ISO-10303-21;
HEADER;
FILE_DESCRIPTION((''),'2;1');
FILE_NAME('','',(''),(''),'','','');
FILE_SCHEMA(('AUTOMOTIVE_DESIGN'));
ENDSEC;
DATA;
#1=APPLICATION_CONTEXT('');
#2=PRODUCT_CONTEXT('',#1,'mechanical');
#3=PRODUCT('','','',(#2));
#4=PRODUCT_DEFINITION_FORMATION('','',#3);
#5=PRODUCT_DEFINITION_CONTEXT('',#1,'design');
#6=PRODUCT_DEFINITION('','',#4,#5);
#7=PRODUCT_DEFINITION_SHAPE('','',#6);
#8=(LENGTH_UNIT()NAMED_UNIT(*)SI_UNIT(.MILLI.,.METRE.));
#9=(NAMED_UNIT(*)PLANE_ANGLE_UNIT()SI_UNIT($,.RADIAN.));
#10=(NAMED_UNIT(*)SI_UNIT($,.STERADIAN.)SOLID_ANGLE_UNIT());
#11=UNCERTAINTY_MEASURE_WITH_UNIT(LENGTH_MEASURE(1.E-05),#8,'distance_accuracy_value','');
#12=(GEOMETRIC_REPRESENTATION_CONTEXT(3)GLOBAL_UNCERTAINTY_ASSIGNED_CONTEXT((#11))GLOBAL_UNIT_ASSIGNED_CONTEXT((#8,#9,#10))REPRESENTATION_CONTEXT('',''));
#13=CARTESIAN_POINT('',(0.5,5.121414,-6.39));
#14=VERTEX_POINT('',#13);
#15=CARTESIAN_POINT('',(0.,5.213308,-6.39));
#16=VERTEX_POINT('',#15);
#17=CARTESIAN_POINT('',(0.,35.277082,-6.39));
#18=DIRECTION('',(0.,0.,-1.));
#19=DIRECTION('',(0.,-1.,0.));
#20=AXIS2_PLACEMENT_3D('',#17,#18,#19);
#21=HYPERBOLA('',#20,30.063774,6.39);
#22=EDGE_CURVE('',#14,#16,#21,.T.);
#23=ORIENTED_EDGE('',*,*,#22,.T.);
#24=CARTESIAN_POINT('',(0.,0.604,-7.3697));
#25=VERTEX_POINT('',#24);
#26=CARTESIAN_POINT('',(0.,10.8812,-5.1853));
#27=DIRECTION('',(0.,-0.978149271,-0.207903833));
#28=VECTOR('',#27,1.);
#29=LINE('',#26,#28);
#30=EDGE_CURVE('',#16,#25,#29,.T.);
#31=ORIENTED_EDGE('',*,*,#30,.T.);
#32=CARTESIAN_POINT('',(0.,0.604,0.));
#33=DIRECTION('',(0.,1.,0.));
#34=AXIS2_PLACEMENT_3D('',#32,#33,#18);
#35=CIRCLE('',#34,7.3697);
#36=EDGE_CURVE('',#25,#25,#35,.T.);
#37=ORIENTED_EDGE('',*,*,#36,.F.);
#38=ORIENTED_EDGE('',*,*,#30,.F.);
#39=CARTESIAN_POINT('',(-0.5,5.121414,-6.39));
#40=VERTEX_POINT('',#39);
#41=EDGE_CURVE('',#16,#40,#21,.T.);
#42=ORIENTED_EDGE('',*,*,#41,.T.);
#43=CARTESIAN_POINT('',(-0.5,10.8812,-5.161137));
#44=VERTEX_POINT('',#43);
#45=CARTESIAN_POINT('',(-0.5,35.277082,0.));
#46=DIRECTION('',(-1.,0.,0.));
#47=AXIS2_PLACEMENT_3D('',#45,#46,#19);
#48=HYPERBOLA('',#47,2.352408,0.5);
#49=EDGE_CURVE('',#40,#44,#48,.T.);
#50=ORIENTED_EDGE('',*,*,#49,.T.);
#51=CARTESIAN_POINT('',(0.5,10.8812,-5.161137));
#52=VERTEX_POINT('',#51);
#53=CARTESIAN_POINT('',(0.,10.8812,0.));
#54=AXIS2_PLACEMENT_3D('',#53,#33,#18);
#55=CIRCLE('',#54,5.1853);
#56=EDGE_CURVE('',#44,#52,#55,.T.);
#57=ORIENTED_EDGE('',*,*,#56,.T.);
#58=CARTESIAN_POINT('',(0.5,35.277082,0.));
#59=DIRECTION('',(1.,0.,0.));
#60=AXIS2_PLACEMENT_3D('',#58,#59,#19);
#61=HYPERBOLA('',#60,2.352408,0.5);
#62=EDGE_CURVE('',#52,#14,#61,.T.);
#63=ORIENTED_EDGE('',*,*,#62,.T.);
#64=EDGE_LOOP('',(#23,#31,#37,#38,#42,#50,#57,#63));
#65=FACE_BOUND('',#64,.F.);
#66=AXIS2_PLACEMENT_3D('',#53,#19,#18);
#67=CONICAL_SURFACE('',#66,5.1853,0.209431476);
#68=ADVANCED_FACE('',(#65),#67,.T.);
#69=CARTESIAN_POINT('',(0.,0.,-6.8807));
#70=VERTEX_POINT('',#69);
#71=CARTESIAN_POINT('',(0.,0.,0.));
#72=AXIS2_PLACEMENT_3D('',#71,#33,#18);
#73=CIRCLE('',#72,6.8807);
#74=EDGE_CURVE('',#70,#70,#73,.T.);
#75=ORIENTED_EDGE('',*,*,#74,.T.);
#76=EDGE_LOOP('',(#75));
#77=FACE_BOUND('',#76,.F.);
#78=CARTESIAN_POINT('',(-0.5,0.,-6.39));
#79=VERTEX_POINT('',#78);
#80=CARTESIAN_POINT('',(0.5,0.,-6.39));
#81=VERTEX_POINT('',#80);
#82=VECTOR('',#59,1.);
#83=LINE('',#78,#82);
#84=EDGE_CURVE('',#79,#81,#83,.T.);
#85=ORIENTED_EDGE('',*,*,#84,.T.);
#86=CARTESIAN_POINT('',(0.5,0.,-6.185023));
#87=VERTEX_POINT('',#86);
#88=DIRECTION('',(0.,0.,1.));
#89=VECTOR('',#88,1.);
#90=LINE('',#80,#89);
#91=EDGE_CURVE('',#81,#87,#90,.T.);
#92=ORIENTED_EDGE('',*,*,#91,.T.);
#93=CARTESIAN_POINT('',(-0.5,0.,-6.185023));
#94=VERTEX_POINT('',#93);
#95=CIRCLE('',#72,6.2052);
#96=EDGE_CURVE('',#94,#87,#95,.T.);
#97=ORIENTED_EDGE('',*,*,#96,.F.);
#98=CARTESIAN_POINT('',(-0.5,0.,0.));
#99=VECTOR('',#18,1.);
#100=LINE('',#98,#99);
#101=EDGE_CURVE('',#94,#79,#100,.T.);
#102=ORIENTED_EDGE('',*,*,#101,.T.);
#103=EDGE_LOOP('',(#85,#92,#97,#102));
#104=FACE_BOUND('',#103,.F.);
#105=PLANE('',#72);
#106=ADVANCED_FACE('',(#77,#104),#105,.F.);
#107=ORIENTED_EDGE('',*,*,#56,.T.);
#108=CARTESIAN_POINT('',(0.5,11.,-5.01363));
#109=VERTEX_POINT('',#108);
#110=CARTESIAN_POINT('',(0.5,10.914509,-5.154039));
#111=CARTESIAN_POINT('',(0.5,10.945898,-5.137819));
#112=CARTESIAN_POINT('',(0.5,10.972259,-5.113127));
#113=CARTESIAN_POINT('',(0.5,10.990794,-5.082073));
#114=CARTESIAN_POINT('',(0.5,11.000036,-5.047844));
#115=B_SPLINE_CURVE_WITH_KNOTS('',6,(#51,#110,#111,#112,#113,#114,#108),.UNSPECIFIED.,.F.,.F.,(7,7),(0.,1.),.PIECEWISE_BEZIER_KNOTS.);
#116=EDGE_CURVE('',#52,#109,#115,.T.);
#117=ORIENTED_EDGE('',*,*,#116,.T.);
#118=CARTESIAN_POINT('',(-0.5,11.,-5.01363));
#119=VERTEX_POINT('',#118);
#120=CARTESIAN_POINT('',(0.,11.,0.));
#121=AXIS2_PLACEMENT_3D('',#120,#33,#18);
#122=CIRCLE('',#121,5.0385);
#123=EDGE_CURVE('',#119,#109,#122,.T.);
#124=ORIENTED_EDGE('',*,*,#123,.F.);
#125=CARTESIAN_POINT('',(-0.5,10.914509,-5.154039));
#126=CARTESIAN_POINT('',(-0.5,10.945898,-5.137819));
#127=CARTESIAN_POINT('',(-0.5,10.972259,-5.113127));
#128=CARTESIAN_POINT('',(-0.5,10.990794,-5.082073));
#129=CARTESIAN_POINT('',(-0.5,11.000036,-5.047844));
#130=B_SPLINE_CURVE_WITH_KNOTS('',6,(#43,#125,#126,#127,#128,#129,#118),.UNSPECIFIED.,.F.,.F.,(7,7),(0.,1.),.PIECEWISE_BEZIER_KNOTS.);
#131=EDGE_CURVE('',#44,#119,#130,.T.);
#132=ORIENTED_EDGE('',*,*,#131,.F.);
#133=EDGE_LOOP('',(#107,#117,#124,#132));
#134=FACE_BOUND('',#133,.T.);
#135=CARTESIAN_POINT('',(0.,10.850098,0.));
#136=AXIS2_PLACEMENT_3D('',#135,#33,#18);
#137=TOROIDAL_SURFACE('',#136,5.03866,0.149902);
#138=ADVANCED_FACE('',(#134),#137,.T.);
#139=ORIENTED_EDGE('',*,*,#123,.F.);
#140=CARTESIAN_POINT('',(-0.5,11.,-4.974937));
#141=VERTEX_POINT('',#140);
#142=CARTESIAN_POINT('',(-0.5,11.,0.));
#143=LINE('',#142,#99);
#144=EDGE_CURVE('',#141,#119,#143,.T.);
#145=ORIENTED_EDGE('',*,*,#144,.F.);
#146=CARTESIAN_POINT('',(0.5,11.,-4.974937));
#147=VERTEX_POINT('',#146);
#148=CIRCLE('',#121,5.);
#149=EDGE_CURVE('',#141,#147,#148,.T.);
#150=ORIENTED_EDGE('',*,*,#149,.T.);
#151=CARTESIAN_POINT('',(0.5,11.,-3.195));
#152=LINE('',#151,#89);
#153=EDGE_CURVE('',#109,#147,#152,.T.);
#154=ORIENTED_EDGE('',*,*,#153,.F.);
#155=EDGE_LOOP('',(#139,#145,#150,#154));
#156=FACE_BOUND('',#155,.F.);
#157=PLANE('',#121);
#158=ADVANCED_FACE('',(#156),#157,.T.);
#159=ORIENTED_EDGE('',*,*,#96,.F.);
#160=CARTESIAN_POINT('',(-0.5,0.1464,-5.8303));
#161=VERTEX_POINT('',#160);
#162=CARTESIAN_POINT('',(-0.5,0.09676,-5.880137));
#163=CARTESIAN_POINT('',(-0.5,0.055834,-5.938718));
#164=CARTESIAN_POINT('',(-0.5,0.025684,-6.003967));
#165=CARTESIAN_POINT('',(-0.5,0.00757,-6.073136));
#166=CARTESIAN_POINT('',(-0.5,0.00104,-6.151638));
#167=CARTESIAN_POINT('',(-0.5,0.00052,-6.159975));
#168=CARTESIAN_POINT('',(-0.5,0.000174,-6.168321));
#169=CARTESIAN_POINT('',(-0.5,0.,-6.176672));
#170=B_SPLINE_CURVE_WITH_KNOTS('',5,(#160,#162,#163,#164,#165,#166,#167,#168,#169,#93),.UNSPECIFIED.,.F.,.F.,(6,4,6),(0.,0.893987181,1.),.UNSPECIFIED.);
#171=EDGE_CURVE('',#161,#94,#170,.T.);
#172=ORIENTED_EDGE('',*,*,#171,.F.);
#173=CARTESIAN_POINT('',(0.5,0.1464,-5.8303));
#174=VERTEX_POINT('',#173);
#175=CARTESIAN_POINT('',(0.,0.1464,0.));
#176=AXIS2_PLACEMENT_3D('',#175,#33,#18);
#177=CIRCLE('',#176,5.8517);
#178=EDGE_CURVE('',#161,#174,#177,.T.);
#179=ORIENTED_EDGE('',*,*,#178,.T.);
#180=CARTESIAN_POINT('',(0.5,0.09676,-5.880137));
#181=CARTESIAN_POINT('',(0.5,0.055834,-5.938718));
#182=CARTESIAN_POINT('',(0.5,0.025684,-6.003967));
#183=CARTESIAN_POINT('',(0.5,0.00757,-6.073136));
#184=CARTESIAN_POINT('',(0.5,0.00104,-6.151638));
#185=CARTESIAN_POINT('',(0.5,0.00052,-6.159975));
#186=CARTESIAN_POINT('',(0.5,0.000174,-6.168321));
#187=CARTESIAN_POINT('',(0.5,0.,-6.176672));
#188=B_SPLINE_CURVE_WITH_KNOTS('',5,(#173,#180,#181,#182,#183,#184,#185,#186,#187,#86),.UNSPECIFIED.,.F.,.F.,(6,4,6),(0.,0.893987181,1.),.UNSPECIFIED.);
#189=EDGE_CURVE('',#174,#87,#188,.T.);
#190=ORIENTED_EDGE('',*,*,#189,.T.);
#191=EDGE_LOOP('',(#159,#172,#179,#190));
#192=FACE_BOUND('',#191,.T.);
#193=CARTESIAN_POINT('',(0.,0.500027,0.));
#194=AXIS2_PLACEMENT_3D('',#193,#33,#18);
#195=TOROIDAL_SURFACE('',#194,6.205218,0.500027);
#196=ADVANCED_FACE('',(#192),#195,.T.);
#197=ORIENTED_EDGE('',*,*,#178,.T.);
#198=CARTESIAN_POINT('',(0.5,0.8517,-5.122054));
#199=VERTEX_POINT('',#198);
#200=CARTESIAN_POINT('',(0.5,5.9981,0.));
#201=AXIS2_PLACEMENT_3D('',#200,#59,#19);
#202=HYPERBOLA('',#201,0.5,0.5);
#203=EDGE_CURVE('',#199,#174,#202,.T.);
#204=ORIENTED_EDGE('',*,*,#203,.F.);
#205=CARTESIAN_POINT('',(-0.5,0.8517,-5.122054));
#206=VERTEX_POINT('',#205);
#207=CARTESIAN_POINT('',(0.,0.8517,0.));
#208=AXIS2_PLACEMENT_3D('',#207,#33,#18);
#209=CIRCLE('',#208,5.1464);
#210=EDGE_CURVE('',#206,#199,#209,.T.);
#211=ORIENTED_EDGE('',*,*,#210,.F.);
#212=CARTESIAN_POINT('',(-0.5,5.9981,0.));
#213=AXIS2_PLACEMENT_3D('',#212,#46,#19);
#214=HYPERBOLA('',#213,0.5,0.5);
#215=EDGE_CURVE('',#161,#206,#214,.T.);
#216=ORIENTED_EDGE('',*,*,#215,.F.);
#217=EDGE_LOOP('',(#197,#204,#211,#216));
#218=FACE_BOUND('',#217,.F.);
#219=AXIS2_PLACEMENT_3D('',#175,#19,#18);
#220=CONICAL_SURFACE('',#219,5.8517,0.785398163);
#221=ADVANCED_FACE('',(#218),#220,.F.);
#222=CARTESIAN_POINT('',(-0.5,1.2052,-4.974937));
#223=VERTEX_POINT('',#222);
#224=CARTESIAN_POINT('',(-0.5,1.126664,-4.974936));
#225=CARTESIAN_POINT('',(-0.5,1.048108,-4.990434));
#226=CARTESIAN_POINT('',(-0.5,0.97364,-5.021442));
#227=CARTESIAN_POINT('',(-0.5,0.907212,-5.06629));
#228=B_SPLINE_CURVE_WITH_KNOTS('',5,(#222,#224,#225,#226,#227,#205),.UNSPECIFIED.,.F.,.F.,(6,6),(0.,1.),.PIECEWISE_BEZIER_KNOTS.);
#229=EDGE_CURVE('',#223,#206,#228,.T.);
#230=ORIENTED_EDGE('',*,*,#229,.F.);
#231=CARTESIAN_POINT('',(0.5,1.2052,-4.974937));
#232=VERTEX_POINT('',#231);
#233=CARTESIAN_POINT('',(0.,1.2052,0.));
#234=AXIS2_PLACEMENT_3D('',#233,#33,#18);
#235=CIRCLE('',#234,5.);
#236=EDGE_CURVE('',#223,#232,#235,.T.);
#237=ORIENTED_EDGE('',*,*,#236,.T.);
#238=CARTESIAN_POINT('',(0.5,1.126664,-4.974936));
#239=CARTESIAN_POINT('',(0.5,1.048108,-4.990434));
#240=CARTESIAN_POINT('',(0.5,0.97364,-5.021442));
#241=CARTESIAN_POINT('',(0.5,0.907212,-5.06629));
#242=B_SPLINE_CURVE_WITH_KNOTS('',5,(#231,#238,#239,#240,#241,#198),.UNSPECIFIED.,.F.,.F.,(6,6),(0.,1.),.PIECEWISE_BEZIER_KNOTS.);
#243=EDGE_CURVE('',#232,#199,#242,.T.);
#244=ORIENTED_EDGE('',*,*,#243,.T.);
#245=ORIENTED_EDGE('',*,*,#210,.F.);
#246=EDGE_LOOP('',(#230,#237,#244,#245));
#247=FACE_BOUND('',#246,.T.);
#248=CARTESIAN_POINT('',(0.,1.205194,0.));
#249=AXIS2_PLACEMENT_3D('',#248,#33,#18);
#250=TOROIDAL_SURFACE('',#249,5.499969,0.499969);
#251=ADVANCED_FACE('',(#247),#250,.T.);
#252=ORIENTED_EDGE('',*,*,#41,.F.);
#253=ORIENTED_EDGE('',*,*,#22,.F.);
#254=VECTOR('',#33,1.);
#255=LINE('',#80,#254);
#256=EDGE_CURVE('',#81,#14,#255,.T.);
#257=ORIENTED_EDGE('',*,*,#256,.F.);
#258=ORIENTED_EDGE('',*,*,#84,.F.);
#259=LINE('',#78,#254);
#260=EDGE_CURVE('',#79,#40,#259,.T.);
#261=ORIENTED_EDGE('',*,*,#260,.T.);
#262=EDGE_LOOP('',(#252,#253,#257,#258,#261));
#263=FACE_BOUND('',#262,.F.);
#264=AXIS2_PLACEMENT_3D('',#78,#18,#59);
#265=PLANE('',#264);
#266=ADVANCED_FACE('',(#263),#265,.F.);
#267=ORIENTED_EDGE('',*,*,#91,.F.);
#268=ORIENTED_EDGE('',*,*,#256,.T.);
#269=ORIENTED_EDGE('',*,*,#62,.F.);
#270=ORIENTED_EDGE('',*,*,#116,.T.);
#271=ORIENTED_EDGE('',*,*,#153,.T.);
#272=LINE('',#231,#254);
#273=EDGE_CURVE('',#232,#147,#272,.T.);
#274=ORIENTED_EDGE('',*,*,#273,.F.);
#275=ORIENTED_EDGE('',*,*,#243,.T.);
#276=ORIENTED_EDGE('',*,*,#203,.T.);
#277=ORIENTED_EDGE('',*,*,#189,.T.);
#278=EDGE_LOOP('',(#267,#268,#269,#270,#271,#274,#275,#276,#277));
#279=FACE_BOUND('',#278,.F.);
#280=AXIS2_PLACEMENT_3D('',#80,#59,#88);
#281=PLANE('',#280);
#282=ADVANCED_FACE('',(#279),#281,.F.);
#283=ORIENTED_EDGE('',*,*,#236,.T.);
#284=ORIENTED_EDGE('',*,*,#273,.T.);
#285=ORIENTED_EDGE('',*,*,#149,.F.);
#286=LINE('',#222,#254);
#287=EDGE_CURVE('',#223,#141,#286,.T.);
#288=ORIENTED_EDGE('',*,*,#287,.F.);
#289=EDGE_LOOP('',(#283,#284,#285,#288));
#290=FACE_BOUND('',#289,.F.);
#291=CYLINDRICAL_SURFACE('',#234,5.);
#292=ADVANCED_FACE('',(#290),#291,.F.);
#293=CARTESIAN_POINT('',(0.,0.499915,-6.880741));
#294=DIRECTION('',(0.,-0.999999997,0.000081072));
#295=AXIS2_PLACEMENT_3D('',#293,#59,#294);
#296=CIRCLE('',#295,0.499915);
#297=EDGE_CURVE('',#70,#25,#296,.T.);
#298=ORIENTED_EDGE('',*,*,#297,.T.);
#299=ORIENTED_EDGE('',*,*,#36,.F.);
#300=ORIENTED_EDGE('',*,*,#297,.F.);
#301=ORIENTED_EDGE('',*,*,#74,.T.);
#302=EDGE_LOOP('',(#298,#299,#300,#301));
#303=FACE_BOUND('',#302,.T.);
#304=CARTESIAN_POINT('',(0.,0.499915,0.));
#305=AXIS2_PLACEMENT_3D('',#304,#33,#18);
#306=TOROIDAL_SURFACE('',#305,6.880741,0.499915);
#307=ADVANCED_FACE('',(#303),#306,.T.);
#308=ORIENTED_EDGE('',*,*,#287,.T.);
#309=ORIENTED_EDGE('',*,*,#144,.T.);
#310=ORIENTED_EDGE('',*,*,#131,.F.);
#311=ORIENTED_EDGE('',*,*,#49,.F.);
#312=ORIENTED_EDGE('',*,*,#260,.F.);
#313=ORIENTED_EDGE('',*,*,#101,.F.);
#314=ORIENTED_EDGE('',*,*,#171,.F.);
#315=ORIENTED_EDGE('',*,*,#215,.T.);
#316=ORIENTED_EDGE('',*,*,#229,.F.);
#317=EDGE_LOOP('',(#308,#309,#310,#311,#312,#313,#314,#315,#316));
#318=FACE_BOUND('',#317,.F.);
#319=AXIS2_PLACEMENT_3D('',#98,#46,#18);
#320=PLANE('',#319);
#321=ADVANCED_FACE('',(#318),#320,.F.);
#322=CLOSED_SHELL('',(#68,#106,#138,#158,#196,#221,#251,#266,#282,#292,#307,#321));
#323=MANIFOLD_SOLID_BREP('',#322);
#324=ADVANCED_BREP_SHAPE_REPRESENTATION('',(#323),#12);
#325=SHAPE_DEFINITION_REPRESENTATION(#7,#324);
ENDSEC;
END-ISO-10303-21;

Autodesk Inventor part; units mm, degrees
ref_plane "YZ Plane" through (0, 0, 0) normal (1, 0, 0) x (0, 1, 0)
ref_plane "XZ Plane" through (0, 0, 0) normal (0, 1, 0) x (-1, 0, 0)
ref_plane "XY Plane" through (0, 0, 0) normal (0, 0, 1) x (1, 0, 0)
sketch "Sketch1" plane through (0, 0, 0) normal (1, 0, 0) x (0, 1, 0)
  line L0 (11, -5) -> (11, -5.0385)
  line L1 (10.8812, -5.1853) -> (0.604, -7.3697)
  line L2 (0, -6.8807) -> (0, -6.2052)
  line L3 (0.1464, -5.8517) -> (0.8517, -5.1464)
  line L4 (1.2052, -5) -> (11, -5)
  line L5 (0, 0) -> (10.4698, 0) construction
  arc A0 (0, -6.8807) -> (0.604, -7.3697) centre (0.5, -6.8807) ccw
  arc A1 (0.1464, -5.8517) -> (0, -6.2052) centre (0.5, -6.2052) ccw
  arc A2 (10.8812, -5.1853) -> (11, -5.0385) centre (10.85, -5.0385) ccw
  arc A3 (1.2052, -5) -> (0.8517, -5.1464) centre (1.2052, -5.5) ccw
  point P0 (11, -5.16)
  point P1 (0, -7.4981)
  point P2 (0, -5.9981)
  dimension "d0" = 11
  dimension "d1" = 12
  dimension "d2" = 5.16
  dimension "d3" = 5
  dimension "d4" = 1.5
  dimension "d6" = 45
  dimension "d7" = 7.4981
  dimension "d8" = 0.5
  dimension "d9" = 0.15
revolve "Revolution1" add sketch "Sketch1" angle 360 about axis through (0, 0, 0) along (0, 1, 0)
sketch "Sketch2" plane through (0, 0, 0) normal (0, 1, 0) x (-1, 0, 0)
  line L0 (0.5, -6.39) -> (-0.5, -6.39)
  line L1 (-0.5, -6.39) -> (-0.5, 0)
  line L2 (-0.5, 0) -> (0.5, 0)
  line L3 (0.5, 0) -> (0.5, -6.39)
  point P0 (0, 0)
  point P1 (0, 0)
  dimension "d11" = 1
  dimension "d12" = 6.39
extrude "Extrusion1" cut sketch "Sketch2" along normal through all
properties part number "Component 43(Engine Cone)"
